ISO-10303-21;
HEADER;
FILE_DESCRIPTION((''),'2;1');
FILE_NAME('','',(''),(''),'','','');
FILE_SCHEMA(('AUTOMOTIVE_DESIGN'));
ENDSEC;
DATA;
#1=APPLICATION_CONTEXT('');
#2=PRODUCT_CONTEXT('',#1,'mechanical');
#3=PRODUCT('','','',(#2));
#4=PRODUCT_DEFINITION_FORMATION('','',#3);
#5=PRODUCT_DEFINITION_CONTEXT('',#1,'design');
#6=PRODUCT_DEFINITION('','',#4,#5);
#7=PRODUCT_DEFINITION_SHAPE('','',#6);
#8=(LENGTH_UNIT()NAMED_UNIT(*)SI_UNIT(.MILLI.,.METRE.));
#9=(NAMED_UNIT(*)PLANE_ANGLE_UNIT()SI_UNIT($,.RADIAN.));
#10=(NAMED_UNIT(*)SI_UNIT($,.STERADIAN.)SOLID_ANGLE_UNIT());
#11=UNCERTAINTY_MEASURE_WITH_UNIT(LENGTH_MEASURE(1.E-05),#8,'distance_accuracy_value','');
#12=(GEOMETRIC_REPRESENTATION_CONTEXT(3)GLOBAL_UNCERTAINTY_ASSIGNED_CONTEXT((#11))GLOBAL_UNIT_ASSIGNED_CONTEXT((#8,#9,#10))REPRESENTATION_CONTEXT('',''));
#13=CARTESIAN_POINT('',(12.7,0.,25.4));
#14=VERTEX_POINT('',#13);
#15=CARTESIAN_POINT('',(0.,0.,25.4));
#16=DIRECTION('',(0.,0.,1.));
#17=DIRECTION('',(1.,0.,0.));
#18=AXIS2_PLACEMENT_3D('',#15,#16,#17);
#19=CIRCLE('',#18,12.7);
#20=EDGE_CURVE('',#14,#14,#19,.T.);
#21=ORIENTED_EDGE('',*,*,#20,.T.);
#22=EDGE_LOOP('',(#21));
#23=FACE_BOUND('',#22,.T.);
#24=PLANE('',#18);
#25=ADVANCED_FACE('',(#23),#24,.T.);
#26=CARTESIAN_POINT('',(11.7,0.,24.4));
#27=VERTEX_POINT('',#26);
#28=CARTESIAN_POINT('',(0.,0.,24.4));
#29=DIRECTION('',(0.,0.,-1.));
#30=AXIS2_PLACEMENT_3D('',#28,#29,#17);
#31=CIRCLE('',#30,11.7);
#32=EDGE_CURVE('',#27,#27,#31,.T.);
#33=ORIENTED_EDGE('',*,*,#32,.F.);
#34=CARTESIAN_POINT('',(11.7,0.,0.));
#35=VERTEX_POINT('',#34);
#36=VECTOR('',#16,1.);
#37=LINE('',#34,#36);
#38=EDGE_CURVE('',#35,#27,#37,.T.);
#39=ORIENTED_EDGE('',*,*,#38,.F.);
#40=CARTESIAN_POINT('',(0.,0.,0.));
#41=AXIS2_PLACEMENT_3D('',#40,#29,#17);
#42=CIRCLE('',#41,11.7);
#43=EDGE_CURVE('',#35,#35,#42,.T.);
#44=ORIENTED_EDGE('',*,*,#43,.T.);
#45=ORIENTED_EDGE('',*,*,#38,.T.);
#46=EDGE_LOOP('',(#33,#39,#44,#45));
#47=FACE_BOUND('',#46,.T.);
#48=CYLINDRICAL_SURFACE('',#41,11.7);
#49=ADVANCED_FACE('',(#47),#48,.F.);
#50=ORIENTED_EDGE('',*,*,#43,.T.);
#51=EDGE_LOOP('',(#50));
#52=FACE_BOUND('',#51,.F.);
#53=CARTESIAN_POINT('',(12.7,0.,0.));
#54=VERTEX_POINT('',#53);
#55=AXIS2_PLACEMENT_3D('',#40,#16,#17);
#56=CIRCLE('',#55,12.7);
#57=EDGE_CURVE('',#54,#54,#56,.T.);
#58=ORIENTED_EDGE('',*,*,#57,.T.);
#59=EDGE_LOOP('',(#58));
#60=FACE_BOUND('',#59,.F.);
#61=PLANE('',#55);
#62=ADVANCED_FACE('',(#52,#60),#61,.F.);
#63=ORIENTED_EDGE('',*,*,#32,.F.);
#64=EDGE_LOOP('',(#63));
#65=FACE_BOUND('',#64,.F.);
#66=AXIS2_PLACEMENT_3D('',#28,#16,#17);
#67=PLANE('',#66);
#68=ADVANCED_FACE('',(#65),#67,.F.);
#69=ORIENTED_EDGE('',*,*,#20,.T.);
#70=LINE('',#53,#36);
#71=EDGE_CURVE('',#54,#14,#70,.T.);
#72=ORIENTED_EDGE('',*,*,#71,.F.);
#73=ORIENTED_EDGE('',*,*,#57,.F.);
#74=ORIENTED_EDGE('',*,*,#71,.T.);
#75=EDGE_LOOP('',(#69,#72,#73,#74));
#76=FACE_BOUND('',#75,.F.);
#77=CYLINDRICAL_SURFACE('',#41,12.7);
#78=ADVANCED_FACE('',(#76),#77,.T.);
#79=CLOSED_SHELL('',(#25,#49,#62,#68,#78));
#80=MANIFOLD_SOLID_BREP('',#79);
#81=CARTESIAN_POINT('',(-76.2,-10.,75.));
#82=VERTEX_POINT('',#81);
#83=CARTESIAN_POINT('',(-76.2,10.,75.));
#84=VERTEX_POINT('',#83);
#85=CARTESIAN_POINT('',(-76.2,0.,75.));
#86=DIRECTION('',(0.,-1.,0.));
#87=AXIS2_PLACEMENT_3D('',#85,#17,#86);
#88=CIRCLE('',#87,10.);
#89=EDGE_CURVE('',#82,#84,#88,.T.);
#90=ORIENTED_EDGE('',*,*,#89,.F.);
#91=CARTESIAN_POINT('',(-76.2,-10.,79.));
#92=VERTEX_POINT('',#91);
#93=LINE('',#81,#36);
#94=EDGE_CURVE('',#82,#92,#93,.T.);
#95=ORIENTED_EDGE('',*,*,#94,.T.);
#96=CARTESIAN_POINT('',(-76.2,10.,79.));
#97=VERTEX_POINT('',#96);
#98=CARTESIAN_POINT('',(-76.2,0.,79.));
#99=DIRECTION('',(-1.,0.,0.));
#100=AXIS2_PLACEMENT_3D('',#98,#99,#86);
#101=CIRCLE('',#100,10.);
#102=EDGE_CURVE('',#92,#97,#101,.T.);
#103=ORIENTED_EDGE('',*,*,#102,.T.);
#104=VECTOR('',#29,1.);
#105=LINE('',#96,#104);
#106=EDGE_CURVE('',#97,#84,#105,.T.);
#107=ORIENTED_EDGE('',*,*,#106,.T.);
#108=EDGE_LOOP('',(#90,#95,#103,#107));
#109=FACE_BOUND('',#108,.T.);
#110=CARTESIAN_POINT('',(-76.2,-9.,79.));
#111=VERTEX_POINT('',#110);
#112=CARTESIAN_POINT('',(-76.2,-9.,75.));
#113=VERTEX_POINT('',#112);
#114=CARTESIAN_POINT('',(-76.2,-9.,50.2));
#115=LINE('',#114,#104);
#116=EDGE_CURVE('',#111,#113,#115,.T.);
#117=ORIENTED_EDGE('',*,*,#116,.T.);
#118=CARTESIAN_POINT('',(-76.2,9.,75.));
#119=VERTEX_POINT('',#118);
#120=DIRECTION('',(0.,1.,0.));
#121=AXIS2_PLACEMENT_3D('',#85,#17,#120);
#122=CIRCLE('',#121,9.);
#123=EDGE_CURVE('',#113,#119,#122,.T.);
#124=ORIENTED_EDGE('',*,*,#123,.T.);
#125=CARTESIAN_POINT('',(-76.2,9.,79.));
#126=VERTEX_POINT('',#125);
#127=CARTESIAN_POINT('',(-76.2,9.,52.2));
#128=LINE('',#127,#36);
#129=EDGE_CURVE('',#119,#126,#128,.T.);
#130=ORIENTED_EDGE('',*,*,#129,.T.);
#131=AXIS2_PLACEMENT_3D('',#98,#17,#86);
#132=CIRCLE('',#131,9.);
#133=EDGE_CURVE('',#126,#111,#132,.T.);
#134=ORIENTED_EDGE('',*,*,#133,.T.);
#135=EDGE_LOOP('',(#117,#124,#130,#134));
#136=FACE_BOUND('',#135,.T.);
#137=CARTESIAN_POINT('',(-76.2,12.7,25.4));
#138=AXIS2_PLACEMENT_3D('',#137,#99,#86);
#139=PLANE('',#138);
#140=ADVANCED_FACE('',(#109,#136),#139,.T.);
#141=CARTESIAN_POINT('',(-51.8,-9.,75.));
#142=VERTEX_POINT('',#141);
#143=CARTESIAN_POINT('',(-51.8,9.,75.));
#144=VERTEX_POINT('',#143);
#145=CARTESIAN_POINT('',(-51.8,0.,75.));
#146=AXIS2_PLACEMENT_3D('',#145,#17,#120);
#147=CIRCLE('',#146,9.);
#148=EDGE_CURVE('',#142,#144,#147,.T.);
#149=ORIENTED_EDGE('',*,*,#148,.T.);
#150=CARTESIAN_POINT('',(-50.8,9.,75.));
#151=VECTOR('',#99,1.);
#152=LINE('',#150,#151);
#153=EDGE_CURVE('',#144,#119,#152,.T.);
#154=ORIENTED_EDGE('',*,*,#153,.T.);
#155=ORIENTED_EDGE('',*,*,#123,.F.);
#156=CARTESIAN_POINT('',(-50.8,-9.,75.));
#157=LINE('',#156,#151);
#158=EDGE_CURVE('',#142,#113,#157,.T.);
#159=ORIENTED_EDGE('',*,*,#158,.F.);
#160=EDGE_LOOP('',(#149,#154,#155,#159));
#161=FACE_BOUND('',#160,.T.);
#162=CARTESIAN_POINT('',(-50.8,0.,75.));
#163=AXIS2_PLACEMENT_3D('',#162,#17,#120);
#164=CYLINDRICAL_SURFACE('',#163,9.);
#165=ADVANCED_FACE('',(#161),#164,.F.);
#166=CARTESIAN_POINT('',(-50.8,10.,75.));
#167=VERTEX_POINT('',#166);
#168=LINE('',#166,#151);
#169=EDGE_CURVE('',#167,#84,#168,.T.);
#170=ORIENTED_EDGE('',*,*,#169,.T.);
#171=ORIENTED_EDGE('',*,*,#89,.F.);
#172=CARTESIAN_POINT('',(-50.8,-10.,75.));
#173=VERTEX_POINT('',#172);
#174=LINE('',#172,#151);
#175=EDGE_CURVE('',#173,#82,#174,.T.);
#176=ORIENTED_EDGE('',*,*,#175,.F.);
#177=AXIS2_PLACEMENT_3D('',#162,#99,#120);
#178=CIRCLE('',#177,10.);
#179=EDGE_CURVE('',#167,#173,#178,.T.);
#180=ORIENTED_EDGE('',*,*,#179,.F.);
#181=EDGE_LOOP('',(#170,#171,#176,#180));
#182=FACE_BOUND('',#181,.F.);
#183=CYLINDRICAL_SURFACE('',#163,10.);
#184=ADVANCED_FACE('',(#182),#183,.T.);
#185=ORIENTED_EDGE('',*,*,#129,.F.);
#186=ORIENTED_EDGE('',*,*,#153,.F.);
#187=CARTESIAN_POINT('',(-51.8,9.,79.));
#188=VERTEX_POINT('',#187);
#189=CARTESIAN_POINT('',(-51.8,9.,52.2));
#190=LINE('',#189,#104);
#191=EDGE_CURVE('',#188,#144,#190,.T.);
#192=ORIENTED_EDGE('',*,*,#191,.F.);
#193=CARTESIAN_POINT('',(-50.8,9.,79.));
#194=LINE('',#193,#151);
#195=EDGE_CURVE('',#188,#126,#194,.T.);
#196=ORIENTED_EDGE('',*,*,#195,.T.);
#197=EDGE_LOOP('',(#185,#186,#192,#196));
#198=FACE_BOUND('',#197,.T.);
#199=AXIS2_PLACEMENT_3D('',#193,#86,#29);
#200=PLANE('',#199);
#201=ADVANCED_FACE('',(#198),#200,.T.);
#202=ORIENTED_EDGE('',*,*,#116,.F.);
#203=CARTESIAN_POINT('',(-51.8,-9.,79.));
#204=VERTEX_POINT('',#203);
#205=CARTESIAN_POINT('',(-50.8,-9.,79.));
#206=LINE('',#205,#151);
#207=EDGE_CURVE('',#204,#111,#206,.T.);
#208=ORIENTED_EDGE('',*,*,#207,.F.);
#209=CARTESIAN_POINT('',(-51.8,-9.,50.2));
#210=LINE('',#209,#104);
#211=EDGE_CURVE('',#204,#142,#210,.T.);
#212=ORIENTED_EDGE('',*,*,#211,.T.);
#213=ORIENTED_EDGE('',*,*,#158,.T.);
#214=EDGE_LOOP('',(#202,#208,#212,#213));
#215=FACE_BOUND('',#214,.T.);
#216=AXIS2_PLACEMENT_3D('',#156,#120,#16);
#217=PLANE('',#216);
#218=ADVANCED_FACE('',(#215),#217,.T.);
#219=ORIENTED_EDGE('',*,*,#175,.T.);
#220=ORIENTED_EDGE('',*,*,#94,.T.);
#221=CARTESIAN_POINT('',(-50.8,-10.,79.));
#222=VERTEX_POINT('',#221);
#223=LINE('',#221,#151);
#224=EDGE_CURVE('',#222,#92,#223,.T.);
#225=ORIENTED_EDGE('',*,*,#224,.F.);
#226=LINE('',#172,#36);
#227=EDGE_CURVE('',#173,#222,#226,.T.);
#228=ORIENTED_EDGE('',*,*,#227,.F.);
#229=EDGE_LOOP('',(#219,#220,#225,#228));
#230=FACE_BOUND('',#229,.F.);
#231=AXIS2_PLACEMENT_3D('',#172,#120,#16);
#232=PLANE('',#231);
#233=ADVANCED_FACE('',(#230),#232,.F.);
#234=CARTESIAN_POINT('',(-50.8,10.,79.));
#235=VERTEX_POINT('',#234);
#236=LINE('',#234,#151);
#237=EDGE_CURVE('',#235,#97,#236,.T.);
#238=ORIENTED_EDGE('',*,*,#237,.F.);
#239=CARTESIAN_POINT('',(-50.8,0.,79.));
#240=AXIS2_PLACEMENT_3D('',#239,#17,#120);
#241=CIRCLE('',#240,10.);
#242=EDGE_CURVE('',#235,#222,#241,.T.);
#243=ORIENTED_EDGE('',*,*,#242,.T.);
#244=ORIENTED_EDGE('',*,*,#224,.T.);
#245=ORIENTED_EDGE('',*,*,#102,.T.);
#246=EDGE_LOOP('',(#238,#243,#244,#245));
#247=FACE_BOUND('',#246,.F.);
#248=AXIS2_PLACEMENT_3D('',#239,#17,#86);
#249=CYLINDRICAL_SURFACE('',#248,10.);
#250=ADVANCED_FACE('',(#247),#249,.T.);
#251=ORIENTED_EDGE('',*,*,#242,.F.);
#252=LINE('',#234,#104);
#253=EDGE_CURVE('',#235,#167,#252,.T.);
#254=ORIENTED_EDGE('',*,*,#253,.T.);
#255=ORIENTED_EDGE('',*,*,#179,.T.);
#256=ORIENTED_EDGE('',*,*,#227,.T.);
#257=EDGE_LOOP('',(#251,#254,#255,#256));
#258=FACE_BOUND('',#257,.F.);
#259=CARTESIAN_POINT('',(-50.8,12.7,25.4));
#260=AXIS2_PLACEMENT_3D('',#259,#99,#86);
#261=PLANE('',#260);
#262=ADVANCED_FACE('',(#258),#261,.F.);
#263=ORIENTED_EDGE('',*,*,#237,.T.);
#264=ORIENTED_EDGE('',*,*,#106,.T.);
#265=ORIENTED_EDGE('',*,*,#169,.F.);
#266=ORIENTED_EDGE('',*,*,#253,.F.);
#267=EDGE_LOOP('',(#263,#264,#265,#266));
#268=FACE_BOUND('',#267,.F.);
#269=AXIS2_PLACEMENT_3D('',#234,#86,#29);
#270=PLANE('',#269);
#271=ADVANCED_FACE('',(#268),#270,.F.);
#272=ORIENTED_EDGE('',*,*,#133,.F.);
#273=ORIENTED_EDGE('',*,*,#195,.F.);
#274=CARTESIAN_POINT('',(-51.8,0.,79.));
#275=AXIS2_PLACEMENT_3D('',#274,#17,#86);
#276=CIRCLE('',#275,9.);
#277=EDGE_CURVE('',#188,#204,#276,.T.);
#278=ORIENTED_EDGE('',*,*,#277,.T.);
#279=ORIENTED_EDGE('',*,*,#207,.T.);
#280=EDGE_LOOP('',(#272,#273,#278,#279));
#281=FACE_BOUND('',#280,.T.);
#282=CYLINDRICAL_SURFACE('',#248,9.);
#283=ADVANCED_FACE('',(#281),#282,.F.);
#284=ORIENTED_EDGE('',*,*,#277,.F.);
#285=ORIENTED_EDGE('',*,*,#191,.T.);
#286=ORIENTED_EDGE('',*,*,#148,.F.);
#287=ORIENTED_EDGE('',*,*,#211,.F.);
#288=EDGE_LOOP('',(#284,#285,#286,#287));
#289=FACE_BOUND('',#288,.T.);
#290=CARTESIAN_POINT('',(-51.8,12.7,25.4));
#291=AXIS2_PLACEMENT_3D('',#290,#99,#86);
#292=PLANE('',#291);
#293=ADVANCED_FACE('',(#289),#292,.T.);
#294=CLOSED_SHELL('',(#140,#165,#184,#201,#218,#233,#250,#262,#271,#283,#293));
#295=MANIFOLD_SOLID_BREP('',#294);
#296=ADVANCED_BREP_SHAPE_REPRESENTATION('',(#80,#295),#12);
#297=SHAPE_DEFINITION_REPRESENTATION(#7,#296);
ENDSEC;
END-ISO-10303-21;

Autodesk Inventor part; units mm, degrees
ref_plane "YZ Plane" through (0, 0, 0) normal (1, 0, 0) x (0, 1, 0)
sketch "Sketch1" plane through (0, 0, 0) normal (0, 0, 1) x (1, 0, 0)
  circle A0 centre (0, 0) radius 12.7
  dimension "d0" = 25.4
extrude "Extrusion1" add sketch "Sketch1" along normal blind 25.4
sketch "Sketch2" plane through (0, 0, 25.4) normal (0, 0, 1) x (1, 0, 0)
  circle A0 centre (0, 0) radius 12.7 projected
  line L0 (0, 12.7) -> (0, -12.7)
ref_plane "Work Plane1" through (0, 12.7, 25.4) normal (-1, 0, 0) x (0, -1, 0)
ref_plane "Work Plane2" through (-50.8, 12.7, 25.4) normal (-1, 0, 0) x (0, -1, 0)
sketch "Sketch3" plane through (-50.8, 12.7, 25.4) normal (-1, 0, 0) x (0, -1, 0)
  line L0 (0, -25.4) -> (0, 0) projected
  line L1 (0, 0) -> (25.4, 0) projected
  line L2 (2.7, 53.6) -> (2.7, 49.6)
  arc A0 (2.7, 49.6) -> (22.7, 49.6) centre (12.7, 49.6) ccw
  line L3 (22.7, 49.6) -> (22.7, 53.6)
  arc A1 (22.7, 53.6) -> (2.7, 53.6) centre (12.7, 53.6) ccw
  line L4 (12.7, -43.9769) -> (12.7, 86.0616) projected
  line L5 (-27.2073, -25.4) -> (39.5727, -25.4) projected
  dimension "d88" = 10
  dimension "d89" = 4
  dimension "d90" = 75
extrude "Extrusion2" add sketch "Sketch3" along normal blind 25.4 contours A0 L2 A1 L4 | L4 A1 L3 A0
shell "Shell1" thickness 1 removed faces 2 at (-3.6254, -0.9542, 0) at (-76.2, -0.4018, 71.691)
sketch3d "3D Sketch4"
properties part number "loft"
